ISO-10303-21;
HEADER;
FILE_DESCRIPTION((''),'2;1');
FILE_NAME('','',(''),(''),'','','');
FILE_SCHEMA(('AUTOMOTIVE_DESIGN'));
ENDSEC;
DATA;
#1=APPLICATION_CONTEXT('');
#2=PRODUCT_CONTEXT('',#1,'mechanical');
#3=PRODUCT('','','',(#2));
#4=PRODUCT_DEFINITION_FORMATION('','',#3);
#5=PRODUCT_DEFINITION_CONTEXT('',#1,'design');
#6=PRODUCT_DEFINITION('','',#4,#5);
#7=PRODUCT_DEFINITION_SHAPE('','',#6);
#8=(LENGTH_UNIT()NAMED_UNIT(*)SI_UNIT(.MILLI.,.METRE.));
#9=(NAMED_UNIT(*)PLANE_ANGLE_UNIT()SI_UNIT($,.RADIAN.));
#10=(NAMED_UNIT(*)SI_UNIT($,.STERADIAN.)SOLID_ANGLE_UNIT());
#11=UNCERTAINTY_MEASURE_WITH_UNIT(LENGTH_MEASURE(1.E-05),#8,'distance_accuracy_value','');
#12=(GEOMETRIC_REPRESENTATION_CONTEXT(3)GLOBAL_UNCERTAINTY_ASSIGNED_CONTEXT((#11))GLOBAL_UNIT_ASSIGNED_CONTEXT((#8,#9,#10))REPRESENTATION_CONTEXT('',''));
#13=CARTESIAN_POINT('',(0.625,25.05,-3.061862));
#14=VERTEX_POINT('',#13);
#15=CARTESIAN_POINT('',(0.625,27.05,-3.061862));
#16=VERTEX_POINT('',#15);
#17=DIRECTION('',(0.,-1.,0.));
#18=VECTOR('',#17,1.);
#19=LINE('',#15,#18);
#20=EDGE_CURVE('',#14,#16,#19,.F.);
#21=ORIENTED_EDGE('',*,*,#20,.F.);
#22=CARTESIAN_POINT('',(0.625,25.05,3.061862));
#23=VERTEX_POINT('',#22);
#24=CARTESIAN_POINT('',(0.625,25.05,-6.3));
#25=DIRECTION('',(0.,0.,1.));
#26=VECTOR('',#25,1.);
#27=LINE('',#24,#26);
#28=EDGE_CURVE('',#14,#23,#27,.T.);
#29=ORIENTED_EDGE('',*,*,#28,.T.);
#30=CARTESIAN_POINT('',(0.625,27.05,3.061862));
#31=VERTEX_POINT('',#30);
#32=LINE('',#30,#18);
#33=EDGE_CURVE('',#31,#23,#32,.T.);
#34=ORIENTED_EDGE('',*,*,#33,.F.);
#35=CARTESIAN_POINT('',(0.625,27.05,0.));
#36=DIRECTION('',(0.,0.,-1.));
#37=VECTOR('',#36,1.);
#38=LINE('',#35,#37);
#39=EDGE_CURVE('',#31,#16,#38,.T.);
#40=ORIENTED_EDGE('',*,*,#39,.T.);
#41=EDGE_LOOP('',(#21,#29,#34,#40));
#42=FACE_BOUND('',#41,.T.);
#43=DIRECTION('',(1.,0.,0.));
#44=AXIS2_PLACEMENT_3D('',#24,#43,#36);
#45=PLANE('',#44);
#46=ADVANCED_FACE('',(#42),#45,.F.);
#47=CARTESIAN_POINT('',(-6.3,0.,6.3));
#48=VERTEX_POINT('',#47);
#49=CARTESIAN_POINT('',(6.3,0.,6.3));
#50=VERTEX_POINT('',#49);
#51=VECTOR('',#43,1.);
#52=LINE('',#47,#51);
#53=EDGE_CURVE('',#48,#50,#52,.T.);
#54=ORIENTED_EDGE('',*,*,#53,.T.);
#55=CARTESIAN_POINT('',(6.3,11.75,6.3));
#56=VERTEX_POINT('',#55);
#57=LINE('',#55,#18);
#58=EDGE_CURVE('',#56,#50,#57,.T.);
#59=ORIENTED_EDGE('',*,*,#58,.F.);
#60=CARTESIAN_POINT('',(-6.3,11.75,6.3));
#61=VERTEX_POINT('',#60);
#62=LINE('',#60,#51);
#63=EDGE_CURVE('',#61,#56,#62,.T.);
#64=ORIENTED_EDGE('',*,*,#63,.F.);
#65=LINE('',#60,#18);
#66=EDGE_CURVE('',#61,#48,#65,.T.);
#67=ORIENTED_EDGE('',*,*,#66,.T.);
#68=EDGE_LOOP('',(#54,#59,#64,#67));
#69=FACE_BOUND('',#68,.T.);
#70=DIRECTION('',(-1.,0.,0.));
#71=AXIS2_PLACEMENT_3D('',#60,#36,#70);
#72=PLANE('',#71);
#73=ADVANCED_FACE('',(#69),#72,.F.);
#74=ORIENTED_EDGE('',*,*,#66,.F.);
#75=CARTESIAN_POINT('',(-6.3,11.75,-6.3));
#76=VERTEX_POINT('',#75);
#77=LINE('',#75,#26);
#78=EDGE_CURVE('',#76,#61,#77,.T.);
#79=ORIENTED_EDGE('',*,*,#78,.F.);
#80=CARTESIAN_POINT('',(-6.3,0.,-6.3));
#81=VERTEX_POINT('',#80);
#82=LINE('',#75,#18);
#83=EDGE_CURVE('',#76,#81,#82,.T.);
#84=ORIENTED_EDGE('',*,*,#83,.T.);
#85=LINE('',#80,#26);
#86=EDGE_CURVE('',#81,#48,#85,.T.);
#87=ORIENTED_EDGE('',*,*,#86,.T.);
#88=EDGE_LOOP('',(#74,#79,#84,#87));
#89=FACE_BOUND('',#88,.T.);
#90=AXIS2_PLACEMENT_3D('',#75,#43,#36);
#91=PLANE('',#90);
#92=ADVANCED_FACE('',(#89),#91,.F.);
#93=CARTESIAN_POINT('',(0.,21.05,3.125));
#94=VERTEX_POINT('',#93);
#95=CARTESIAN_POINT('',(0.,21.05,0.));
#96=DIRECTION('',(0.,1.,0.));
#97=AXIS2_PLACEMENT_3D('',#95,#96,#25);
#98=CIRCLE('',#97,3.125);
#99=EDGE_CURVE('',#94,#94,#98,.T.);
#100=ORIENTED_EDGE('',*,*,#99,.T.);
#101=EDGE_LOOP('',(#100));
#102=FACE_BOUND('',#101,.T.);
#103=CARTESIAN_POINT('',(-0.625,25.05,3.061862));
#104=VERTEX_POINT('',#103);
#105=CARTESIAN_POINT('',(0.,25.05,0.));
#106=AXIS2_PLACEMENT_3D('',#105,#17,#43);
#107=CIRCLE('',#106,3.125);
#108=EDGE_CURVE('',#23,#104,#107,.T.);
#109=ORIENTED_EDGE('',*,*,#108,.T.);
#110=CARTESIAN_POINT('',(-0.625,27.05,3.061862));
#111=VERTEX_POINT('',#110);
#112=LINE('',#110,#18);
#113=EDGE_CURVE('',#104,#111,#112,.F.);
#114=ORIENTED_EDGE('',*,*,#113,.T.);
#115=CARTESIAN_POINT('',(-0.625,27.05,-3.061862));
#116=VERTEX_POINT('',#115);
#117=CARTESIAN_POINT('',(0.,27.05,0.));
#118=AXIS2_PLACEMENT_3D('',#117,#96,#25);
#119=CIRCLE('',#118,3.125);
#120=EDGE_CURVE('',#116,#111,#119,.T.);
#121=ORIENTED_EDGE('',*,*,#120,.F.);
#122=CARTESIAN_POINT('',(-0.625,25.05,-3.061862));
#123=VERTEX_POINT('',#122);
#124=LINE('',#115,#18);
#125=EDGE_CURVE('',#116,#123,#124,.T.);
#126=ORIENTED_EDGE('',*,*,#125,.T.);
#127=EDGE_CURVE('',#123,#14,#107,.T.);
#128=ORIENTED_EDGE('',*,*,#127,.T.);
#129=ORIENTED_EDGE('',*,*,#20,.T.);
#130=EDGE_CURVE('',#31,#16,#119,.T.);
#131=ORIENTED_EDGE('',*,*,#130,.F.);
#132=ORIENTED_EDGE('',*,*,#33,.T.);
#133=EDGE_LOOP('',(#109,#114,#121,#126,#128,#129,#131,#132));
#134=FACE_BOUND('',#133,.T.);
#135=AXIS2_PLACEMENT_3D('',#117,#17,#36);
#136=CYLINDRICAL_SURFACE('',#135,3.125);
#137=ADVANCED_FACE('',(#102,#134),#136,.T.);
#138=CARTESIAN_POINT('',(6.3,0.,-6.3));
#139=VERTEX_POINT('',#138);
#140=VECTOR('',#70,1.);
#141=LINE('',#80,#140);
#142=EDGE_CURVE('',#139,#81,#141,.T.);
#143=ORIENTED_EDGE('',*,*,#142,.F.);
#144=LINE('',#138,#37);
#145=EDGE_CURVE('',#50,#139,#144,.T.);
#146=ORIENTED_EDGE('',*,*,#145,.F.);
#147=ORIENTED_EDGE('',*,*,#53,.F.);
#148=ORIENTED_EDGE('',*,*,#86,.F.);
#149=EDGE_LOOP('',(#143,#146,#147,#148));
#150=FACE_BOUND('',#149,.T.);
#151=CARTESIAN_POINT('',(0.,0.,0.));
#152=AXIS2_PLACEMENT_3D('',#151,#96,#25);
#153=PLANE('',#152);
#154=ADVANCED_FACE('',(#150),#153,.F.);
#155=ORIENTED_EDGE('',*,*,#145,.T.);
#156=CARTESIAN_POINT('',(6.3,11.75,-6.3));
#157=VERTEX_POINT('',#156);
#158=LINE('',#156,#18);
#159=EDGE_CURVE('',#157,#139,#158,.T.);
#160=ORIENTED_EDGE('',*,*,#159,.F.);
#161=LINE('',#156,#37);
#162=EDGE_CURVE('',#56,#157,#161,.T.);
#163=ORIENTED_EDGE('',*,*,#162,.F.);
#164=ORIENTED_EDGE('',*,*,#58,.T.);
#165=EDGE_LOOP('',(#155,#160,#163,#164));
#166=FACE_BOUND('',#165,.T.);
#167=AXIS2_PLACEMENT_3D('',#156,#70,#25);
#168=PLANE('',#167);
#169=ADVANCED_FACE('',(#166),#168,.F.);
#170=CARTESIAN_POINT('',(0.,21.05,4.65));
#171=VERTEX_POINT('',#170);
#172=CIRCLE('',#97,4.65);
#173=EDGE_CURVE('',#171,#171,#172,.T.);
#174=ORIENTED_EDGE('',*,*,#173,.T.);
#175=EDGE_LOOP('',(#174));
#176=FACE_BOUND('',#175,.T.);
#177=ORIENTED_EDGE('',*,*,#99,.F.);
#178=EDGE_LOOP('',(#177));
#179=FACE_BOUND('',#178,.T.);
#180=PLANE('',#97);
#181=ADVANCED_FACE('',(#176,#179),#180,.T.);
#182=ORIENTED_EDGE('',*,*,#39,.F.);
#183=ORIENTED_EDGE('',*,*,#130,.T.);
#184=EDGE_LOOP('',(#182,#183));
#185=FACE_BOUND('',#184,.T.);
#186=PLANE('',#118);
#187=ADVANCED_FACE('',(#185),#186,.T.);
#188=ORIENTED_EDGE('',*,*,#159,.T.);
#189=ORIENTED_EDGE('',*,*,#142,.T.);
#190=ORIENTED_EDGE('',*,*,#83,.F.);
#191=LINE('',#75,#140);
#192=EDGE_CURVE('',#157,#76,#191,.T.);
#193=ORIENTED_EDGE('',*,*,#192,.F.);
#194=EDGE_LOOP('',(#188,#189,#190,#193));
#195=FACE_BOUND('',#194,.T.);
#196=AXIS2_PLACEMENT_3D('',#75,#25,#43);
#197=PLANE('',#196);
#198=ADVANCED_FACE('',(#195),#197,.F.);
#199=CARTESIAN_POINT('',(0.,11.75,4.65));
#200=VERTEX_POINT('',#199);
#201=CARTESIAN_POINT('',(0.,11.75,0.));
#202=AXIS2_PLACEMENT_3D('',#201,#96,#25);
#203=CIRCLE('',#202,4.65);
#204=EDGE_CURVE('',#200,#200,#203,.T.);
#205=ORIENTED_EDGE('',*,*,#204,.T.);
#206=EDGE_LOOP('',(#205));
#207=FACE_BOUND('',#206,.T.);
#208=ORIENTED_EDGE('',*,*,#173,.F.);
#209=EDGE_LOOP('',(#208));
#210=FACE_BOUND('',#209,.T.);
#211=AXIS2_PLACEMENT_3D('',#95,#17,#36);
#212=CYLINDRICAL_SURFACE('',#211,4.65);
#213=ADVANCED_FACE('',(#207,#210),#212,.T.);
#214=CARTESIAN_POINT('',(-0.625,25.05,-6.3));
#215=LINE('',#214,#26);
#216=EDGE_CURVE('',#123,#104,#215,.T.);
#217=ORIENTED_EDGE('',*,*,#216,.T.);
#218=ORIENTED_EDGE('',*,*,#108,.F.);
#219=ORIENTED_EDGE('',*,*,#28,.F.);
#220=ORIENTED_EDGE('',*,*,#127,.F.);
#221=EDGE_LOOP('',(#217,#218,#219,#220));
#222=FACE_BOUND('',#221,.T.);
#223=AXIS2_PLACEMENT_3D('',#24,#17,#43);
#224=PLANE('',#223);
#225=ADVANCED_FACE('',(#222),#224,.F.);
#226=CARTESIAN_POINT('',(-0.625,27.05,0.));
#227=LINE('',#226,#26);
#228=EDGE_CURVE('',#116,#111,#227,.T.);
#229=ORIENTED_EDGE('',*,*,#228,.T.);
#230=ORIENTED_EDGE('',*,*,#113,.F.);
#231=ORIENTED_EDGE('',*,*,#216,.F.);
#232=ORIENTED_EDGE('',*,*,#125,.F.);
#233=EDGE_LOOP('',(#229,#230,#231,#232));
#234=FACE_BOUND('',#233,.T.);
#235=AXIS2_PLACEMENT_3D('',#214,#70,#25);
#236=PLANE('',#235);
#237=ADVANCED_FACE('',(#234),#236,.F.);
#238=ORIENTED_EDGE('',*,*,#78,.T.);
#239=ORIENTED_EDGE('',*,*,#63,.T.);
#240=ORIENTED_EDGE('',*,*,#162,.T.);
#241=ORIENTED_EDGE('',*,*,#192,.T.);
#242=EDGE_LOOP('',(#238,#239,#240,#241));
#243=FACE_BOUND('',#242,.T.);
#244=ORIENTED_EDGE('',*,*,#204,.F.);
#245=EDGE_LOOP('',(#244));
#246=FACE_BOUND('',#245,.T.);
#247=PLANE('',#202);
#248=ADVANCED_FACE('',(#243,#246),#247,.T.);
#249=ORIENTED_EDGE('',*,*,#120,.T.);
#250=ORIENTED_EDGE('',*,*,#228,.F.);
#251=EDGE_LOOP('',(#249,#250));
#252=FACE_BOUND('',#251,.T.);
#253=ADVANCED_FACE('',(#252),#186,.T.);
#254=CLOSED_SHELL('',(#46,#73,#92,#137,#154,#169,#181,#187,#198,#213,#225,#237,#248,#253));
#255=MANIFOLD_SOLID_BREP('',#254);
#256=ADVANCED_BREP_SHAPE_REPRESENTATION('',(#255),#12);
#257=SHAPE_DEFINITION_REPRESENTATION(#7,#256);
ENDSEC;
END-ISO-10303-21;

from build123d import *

# Parameters (mm, degrees)
SKETCH1_W               = 12.6
SKETCH1_H               = 12.6
BOSS_EXTRUDE1_DEPTH     = 11.75
SKETCH2_R               = 4.65
BOSS_EXTRUDE2_DEPTH     = 9.3
SKETCH3_R               = 3.125
BOSS_EXTRUDE3_DEPTH     = 6
CUT_EXTRUDE1_DEPTH      = 29.479510178
CUT_EXTRUDE1_DEPTH_BACK = 29.479510178
SKETCH4_W               = 1.25
SKETCH4_H               = 2


with BuildPart() as part:
    # Sketch1 → Boss-Extrude1 (new body)
    with BuildSketch(Plane(origin=(0, 0, 0), x_dir=(1, 0, 0), z_dir=(0, 1, 0))):
        Rectangle(SKETCH1_W, SKETCH1_H)
    extrude(amount=BOSS_EXTRUDE1_DEPTH)

    # Sketch2 → Boss-Extrude2 (add)
    with BuildSketch(Plane(origin=(0, 11.75, 0), x_dir=(1, 0, 0), z_dir=(0, 1, 0))):
        with Locations(Location((0, 0, 0), (0, 0, 270))):
            Circle(SKETCH2_R)
    extrude(amount=BOSS_EXTRUDE2_DEPTH)

    # Sketch3 → Boss-Extrude3 (add)
    with BuildSketch(Plane(origin=(0, 21.05, 0), x_dir=(1, 0, 0), z_dir=(0, 1, 0))):
        with Locations(Location((0, 0, 0), (0, 0, 270))):
            Circle(SKETCH3_R)
    extrude(amount=BOSS_EXTRUDE3_DEPTH)

    # Sketch4 → Cut-Extrude1 (cut, two sides: drawn at the far end of the back side and taken through both)
    with BuildSketch(Plane.XY.offset(-CUT_EXTRUDE1_DEPTH_BACK)):
        with Locations((0, 26.05)):
            Rectangle(SKETCH4_W, SKETCH4_H)
    extrude(amount=CUT_EXTRUDE1_DEPTH + CUT_EXTRUDE1_DEPTH_BACK, mode=Mode.SUBTRACT)


solid = part.part
